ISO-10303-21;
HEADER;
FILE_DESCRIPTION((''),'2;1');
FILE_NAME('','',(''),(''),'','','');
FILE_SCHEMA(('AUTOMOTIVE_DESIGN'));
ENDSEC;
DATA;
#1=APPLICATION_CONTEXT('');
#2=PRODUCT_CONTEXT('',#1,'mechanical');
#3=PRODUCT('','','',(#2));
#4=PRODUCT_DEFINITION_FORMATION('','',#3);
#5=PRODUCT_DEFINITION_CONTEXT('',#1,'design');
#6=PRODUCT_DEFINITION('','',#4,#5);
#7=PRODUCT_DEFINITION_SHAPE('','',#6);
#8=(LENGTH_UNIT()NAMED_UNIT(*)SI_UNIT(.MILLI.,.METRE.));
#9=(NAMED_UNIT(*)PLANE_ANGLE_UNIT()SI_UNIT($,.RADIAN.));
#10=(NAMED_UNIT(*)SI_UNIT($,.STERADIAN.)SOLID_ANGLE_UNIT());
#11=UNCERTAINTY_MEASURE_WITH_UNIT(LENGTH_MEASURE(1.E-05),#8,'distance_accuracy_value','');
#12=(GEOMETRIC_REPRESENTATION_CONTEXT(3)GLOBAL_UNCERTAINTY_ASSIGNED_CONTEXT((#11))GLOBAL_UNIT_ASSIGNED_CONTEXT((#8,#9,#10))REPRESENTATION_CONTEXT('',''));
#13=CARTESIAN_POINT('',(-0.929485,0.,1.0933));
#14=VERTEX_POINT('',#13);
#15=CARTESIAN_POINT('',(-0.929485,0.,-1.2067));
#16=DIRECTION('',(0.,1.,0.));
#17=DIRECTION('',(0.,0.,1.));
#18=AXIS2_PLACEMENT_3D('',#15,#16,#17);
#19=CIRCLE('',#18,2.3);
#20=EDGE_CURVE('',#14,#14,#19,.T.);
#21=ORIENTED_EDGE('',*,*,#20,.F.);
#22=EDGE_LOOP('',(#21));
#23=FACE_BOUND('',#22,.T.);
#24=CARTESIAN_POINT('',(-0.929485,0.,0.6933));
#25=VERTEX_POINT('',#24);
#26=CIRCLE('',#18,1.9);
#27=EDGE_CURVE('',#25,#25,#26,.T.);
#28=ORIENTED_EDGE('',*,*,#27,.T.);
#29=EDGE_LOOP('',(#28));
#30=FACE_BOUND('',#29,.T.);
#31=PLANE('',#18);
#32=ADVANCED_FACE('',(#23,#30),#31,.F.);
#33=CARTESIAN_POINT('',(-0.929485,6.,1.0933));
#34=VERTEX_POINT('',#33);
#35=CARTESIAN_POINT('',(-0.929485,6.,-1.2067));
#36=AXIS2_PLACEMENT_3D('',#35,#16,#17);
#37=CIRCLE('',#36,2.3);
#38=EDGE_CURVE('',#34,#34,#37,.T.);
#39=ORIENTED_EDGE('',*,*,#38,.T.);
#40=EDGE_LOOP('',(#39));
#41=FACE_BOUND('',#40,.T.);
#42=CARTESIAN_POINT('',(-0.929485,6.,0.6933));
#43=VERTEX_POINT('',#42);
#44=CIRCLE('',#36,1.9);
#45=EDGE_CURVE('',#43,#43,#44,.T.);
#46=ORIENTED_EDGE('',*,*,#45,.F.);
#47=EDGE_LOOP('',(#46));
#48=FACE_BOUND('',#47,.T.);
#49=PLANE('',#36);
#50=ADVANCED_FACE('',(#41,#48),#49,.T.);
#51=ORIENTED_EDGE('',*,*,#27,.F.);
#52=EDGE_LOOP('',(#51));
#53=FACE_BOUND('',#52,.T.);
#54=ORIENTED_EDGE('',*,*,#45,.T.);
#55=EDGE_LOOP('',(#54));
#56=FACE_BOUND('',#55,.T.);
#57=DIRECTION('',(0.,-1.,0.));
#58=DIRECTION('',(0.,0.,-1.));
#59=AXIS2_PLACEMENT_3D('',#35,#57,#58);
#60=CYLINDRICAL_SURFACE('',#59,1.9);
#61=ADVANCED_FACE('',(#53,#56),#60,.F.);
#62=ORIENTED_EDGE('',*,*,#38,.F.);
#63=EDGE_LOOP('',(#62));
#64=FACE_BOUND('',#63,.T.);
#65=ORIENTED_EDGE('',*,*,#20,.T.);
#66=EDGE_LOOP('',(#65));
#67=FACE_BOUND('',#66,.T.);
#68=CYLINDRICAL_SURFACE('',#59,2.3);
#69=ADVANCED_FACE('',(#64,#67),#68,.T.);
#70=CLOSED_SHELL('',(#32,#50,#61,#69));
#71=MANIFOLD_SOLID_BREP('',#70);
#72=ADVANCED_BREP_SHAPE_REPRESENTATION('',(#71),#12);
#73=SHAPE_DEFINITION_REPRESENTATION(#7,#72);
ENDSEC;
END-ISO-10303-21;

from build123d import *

# Parameters (mm, degrees)
SKETCH1_R           = 2.3
SKETCH1_R_2         = 1.9
BOSS_EXTRUDE1_DEPTH = 6


with BuildPart() as part:
    # Sketch1 → Boss-Extrude1 (new body)
    with BuildSketch(Plane(origin=(0, 0, 0), x_dir=(1, 0, 0), z_dir=(0, 1, 0))):
        with Locations((-0.929485335, 1.206700259)):
            Circle(SKETCH1_R)
        with Locations((-0.929485335, 1.206700259)):
            Circle(SKETCH1_R_2, mode=Mode.SUBTRACT)
    extrude(amount=BOSS_EXTRUDE1_DEPTH)


solid = part.part
